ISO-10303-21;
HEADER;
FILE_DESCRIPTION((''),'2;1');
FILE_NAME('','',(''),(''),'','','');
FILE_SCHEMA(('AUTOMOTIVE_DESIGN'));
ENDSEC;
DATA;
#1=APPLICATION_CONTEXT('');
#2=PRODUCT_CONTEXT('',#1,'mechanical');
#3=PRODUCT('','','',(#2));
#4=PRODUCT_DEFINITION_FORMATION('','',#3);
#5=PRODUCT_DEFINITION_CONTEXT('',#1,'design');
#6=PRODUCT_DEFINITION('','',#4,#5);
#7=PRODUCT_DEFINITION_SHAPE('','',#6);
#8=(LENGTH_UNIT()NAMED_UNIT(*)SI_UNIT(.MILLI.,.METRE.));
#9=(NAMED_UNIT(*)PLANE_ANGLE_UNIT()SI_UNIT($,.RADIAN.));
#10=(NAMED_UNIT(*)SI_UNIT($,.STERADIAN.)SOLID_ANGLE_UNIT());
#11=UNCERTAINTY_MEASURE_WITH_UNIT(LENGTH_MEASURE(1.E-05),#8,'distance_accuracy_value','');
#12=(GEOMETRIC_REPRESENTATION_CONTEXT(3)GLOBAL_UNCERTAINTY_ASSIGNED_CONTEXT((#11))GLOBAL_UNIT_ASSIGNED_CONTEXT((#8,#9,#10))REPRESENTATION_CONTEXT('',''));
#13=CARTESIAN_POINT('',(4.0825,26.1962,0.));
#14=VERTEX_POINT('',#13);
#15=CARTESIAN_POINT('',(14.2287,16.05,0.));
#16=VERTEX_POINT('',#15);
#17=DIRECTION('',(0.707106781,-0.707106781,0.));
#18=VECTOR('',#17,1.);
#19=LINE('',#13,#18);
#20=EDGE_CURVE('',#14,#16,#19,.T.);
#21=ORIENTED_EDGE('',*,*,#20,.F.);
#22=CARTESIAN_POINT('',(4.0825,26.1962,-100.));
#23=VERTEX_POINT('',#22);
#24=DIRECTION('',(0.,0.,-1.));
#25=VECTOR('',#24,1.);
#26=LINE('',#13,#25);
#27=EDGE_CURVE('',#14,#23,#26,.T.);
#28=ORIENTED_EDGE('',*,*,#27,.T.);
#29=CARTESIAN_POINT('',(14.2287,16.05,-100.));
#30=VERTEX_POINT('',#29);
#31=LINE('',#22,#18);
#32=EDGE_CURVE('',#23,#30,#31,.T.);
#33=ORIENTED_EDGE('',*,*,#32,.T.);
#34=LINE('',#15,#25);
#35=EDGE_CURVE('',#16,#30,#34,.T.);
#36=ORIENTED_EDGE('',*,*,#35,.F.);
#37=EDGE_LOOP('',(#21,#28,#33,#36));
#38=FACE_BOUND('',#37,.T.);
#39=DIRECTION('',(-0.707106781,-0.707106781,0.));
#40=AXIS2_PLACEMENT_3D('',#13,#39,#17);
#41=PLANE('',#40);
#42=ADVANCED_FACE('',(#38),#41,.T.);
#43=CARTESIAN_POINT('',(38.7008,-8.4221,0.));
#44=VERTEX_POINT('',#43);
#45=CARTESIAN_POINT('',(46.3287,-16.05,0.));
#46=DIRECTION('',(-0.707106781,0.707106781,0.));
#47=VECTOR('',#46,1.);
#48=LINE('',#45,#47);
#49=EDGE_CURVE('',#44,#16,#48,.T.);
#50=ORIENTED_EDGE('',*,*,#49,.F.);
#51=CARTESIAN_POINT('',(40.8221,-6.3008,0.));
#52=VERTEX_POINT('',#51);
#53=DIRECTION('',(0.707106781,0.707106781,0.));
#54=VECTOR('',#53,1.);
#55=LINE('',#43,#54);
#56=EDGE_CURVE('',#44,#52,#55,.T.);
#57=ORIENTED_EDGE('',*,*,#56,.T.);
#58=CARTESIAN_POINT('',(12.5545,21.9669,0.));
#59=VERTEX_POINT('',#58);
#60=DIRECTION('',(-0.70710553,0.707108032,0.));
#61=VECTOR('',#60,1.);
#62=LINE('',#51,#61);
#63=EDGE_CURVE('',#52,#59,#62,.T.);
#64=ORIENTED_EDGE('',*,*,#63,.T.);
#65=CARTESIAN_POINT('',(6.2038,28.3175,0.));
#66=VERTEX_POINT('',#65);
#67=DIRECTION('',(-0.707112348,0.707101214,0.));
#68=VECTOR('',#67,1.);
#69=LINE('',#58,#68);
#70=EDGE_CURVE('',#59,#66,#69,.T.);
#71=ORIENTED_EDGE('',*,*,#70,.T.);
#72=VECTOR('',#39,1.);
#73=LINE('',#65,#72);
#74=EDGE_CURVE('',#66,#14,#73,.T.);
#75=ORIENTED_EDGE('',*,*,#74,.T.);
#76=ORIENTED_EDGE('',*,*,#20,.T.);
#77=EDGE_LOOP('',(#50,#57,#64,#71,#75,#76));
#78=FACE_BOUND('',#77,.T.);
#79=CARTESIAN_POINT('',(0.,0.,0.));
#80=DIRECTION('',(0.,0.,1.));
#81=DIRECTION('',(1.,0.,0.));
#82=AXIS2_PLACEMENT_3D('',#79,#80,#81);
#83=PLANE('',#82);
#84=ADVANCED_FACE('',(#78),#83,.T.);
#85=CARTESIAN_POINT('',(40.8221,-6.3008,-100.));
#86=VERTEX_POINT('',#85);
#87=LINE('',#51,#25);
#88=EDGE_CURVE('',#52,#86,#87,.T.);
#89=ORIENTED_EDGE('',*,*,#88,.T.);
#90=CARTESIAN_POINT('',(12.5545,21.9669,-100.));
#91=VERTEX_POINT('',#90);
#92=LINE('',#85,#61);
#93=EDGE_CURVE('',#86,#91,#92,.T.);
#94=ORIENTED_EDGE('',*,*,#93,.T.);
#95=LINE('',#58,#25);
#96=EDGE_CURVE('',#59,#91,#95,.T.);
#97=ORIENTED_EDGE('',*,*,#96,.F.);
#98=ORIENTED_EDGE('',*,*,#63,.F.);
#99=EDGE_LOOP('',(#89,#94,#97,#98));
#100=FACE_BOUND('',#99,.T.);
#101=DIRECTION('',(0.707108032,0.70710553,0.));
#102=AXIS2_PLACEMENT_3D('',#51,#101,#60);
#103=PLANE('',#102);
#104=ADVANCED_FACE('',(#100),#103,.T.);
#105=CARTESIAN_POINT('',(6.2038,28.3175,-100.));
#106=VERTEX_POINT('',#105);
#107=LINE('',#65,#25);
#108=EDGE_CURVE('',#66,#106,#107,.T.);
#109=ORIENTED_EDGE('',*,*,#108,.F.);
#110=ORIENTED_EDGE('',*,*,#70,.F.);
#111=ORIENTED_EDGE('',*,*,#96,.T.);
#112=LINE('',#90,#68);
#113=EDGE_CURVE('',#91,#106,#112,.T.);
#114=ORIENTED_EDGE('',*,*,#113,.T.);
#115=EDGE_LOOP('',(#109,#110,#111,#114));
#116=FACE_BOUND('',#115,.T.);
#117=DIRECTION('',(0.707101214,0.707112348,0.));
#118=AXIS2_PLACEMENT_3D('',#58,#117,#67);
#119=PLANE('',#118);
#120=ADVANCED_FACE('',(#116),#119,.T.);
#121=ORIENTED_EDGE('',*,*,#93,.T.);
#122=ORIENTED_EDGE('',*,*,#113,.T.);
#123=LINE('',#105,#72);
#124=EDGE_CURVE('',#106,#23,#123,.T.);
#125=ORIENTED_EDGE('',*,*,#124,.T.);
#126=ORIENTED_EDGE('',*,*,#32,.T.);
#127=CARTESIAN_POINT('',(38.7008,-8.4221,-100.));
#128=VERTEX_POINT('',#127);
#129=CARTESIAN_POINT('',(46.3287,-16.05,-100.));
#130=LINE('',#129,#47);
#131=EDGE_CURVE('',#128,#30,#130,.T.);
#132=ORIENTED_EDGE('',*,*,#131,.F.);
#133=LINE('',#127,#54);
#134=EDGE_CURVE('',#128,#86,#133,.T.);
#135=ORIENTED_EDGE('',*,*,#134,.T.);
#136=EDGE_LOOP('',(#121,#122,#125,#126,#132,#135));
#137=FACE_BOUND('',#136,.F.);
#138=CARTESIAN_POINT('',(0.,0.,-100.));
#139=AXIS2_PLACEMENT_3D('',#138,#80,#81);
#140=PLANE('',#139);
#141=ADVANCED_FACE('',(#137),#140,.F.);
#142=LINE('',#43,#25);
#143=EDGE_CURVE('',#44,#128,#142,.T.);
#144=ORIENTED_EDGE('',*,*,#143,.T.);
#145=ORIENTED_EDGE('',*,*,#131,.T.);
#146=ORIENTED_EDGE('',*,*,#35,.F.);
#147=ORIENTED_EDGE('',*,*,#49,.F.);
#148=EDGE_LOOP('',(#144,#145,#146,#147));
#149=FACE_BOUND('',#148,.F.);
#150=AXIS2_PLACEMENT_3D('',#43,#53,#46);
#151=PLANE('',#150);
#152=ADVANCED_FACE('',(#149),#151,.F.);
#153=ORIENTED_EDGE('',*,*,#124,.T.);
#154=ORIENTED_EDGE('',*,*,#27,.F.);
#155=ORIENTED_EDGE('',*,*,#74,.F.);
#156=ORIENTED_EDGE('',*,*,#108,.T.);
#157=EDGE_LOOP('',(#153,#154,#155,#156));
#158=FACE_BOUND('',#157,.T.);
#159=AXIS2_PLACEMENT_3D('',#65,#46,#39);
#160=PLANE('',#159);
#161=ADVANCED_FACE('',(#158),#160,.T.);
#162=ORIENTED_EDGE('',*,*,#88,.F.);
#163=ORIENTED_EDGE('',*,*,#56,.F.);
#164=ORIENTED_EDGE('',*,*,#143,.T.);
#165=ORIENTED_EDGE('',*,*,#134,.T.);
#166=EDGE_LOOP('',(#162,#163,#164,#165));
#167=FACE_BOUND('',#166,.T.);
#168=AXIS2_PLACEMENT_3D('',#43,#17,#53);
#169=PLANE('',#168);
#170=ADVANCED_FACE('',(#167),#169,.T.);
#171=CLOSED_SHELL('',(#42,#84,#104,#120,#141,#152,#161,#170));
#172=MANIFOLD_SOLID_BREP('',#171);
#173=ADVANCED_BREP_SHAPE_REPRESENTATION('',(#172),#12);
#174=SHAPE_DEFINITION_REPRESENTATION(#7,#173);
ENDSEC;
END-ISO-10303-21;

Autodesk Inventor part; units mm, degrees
ref_plane "YZ Plane" through (0, 0, 0) normal (1, 0, 0) x (0, 1, 0)
ref_plane "XZ Plane" through (0, 0, 0) normal (0, 1, 0) x (-1, 0, 0)
sketch "Sketch1" plane through (0, 0, 0) normal (0, 0, 1) x (1, 0, 0)
  line L0 (-46.3287, 13.05) -> (-28.2287, 13.05) projected
  arc A0 (-10.1287, -5.05) -> (-28.2287, 13.05) centre (-28.2287, -5.05) ccw projected
  line L1 (-10.1287, -5.05) -> (-10.1287, -16.05) projected
  line L2 (-10.1287, -16.05) -> (46.3287, -16.05) projected
  line L3 (46.3287, -16.05) -> (14.2287, 16.05) projected
  line L4 (14.2287, 16.05) -> (-46.3287, 16.05) projected
  line L5 (-46.3287, 16.05) -> (-46.3287, 13.05) projected
  line L6 (40.8221, -6.3008) -> (55.6713, -21.15) projected
  line L7 (38.7008, -8.4221) -> (40.8221, -6.3008) projected
  line L8 (51.4287, -21.15) -> (38.7008, -8.4221) projected
  line L9 (55.6713, -21.15) -> (51.4287, -21.15) projected
  line L10 (40.8221, -6.3008) -> (12.5545, 21.9669)
  line L11 (12.5545, 21.9669) -> (6.2038, 28.3175)
  line L12 (6.2038, 28.3175) -> (4.0825, 26.1962)
  line L13 (4.0825, 26.1962) -> (38.7008, -8.4221)
  point P0 (0, 0)
  point P1 (14.2287, 16.05)
ref_plane "Work Plane1" through (-10.1287, -19.05, -100) normal (0, 0, -1) x (0, 1, 0)
extrude "Extrusion1" add sketch "Sketch1" against normal up to surface (100 mm away) contours L13 L12 L11 L10 L7 L3
properties part number "lustro"
